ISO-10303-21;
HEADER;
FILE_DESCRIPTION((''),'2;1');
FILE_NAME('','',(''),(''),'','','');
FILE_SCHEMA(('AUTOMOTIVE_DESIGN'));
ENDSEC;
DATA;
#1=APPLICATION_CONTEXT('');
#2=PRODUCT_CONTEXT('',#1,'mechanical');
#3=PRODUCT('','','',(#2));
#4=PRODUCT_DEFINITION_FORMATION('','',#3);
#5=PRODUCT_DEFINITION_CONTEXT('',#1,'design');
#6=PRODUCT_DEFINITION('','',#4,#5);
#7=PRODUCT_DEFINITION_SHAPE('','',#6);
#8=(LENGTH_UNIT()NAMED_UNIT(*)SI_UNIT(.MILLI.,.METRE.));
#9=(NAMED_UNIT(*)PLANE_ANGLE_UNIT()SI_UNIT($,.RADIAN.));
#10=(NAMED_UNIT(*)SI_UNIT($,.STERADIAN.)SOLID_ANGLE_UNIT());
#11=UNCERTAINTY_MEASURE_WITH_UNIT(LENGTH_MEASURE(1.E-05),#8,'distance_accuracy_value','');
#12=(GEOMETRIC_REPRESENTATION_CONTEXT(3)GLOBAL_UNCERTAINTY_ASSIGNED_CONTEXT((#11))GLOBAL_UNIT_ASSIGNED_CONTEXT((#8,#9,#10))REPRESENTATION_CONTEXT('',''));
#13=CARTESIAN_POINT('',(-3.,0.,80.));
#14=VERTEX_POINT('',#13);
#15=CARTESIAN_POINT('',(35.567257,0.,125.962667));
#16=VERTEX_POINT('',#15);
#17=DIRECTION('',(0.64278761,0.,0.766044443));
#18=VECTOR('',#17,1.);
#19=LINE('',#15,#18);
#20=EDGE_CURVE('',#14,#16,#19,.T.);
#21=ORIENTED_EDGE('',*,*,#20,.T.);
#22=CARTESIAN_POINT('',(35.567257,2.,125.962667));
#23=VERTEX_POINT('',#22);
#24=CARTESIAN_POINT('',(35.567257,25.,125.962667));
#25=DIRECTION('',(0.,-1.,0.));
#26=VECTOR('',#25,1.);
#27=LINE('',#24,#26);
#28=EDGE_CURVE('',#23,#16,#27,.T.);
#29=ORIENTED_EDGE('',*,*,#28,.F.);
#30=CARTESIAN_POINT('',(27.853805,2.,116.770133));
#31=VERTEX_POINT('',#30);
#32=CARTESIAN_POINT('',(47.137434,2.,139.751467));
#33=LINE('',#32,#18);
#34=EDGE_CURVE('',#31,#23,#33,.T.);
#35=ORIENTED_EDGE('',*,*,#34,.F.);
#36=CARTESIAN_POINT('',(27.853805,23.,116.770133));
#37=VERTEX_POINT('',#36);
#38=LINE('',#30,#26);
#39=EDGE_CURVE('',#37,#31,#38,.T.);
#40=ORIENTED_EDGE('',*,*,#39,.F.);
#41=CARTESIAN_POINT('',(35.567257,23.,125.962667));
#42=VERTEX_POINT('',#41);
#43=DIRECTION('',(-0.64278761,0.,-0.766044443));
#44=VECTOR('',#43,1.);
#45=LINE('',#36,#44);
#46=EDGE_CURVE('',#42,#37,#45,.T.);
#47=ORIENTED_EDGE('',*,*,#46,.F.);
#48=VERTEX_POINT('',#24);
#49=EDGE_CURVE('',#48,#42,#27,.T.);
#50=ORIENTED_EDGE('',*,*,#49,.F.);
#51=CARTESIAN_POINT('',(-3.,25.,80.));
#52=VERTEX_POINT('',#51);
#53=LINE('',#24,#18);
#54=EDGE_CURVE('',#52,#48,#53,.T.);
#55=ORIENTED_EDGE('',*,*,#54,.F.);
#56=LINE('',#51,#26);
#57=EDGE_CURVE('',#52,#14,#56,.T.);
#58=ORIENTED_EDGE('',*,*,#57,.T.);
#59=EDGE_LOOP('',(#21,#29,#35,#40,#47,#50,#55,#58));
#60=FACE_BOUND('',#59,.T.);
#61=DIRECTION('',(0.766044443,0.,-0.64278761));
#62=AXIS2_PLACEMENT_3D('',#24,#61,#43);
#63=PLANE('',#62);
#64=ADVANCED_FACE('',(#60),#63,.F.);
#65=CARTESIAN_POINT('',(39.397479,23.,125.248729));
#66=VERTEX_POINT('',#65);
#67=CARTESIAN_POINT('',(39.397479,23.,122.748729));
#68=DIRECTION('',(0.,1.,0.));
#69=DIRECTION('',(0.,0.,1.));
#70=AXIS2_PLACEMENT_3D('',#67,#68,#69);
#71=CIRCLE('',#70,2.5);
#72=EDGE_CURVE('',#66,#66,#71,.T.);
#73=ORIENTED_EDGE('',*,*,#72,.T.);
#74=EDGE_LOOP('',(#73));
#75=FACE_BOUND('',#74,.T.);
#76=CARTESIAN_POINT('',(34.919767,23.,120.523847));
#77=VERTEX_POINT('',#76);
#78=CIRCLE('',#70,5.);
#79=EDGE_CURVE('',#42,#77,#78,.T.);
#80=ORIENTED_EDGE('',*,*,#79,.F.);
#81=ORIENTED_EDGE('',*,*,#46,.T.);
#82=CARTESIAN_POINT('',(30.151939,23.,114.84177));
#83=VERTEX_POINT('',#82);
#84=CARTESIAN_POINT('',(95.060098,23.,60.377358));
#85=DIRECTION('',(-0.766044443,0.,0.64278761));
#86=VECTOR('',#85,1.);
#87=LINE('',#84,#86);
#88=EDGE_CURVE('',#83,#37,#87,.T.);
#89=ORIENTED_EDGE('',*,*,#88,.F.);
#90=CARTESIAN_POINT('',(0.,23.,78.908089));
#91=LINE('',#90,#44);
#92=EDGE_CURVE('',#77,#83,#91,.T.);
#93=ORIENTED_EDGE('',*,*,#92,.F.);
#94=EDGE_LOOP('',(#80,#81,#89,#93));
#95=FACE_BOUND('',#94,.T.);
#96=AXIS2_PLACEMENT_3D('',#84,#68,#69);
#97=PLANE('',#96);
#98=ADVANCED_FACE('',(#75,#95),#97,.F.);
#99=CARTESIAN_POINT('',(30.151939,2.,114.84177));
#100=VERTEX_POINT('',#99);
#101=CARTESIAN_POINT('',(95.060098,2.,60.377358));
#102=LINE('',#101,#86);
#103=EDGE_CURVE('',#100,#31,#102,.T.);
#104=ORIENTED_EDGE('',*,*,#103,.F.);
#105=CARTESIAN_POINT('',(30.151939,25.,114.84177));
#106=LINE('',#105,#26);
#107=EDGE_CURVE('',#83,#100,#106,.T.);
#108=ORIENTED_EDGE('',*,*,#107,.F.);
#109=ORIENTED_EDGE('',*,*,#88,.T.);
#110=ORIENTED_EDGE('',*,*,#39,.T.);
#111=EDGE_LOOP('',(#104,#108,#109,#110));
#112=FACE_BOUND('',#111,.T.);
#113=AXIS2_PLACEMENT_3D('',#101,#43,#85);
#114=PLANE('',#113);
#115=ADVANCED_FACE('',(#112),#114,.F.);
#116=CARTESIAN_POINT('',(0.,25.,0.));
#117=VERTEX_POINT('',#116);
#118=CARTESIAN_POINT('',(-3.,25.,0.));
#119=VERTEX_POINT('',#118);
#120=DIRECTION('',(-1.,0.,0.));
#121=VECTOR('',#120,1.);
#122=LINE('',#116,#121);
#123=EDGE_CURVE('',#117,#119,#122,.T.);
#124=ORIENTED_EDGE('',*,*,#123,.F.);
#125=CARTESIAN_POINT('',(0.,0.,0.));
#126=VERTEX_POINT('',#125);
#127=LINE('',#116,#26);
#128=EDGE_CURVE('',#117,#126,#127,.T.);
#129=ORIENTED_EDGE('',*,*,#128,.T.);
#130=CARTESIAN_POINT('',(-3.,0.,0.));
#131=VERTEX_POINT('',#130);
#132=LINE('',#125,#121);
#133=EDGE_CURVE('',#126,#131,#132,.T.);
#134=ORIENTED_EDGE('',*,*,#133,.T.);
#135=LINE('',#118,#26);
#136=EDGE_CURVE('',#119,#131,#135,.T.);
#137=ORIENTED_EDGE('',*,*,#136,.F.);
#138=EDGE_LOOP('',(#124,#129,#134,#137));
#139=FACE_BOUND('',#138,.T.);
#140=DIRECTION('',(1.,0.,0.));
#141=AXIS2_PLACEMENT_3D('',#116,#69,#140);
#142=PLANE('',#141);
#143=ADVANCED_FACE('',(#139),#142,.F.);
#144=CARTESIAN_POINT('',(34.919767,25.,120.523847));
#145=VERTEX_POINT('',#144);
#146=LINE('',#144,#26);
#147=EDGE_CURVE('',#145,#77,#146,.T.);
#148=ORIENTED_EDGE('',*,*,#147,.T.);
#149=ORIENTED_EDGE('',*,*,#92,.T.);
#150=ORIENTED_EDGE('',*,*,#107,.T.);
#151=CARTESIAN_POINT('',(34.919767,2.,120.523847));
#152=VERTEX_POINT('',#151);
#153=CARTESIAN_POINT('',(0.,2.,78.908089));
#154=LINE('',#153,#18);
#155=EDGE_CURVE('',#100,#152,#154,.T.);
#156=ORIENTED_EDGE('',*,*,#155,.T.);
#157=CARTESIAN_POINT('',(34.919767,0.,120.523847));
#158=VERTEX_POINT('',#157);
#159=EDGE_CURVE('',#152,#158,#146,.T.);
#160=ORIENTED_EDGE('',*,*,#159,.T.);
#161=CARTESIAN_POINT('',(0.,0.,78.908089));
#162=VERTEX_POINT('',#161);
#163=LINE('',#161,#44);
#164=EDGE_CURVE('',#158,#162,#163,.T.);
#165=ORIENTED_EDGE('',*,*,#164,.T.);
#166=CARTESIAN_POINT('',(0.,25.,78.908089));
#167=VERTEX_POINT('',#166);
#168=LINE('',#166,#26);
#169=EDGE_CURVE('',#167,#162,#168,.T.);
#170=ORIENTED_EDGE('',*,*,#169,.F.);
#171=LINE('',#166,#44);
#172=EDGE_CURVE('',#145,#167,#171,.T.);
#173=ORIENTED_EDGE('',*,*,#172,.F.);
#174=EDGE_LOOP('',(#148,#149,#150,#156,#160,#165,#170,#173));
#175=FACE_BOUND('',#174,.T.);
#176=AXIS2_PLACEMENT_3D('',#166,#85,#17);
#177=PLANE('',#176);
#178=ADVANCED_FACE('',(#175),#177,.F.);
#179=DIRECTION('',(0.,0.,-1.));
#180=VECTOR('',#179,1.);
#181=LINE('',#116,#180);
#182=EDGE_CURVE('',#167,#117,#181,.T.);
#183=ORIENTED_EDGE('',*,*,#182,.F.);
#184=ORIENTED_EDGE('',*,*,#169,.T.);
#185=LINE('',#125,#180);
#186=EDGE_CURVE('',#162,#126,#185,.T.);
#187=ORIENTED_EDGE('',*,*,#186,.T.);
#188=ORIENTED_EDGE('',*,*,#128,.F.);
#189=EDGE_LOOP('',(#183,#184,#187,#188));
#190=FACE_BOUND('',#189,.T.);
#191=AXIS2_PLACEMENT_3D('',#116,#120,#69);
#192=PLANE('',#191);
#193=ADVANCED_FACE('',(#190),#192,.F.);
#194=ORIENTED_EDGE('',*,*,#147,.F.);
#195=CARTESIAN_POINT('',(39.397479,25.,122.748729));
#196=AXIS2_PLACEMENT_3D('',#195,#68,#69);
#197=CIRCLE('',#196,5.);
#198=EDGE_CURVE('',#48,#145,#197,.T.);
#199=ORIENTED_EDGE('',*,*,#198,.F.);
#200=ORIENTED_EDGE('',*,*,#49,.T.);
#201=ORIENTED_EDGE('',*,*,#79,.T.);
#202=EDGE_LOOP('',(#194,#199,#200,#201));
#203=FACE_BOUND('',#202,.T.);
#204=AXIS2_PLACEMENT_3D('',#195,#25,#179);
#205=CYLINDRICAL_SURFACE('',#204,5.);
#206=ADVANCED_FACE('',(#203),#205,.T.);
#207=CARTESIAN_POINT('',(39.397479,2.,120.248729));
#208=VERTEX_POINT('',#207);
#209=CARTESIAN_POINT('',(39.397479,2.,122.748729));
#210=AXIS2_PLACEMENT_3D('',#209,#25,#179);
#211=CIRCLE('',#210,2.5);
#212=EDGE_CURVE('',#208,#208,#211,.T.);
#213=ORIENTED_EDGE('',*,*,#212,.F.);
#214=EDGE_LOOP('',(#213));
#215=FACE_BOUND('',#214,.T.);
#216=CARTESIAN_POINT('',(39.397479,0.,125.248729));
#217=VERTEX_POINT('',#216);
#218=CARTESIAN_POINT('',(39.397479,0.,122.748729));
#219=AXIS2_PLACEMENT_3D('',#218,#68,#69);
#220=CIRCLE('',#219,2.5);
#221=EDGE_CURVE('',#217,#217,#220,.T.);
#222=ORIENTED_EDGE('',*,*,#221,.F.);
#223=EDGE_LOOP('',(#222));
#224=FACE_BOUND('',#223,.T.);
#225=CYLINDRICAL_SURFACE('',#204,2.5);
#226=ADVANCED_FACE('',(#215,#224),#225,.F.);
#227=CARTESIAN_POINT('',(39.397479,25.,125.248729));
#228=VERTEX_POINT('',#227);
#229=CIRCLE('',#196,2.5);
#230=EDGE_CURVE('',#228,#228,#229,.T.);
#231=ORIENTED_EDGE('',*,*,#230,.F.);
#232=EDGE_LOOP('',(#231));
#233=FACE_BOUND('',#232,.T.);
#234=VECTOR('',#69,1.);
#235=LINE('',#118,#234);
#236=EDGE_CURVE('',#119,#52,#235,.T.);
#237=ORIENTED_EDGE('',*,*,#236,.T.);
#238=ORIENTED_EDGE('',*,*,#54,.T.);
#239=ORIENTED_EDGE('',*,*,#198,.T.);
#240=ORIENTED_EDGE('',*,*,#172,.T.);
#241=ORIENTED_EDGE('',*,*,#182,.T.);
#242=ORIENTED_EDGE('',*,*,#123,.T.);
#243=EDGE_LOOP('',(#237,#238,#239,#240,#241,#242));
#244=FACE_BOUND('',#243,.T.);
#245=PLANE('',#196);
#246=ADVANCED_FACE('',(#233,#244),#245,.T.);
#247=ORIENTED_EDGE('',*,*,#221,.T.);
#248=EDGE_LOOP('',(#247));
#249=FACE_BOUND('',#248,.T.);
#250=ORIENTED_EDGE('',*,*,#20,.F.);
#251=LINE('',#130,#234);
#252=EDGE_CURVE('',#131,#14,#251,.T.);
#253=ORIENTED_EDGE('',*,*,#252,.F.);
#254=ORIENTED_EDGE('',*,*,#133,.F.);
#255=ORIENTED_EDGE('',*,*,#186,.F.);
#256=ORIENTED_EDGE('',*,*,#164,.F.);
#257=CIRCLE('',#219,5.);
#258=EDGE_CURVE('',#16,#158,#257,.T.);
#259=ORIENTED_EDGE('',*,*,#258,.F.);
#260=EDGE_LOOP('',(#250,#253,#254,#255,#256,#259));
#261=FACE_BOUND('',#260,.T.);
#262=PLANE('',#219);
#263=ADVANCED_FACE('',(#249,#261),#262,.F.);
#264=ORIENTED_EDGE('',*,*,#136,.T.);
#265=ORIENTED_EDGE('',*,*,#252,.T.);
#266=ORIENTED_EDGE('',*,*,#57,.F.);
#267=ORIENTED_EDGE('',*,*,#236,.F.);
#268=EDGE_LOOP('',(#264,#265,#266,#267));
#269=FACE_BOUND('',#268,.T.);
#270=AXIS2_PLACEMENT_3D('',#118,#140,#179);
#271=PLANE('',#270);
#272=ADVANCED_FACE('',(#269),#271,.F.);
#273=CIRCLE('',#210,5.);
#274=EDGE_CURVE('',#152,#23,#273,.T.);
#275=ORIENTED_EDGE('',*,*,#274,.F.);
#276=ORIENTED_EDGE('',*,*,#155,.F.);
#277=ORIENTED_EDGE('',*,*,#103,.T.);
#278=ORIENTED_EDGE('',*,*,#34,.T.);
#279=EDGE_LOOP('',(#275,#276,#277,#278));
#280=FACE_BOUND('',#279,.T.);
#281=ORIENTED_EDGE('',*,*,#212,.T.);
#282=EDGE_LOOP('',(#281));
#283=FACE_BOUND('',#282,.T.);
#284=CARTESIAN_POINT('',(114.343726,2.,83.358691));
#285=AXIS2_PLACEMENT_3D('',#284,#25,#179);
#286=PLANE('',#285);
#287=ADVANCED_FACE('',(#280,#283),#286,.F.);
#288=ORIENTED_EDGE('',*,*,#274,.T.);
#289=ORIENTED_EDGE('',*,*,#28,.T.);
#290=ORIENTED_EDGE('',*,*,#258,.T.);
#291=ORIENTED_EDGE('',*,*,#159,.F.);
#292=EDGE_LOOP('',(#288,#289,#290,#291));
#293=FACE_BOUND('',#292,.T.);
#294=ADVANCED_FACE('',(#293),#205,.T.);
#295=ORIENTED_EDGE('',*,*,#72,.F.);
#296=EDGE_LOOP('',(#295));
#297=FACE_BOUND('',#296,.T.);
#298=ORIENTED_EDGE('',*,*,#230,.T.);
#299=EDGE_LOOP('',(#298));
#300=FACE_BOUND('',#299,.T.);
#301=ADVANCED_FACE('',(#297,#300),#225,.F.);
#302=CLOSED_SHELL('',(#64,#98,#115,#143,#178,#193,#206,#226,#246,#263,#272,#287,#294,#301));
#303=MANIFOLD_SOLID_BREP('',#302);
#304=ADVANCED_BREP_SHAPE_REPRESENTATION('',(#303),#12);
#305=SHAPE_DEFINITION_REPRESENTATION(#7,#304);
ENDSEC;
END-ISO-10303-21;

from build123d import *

# Parameters (mm, degrees)
ESQUISSE1_R      = 2.5
EXTRUSION1_DEPTH = 25
ESQUISSE2_W      = 30
ESQUISSE2_H      = 21
EXTRUSION2_DEPTH = 88.731584025


with BuildPart() as part:
    # Esquisse1 → Extrusion1 (new body)
    with BuildSketch(Plane(origin=(0, 0, 0), x_dir=(1, 0, 0), z_dir=(0, 1, 0))):
        with BuildLine():
            Line((0, 0), (-3, 0))
            Line((-3, 0), (-3, -80))
            Line((-3, -80), (35.567256581, -125.962666587))
            ThreePointArc((35.567256581, -125.962666587), (44.362418985, -122.157654154), (34.919767033, -120.523847112))
            Line((34.919767033, -120.523847112), (0, -78.908089297))
            Line((0, -78.908089297), (0, 0))
        make_face()
        with Locations((39.397478797, -122.748728539)):
            Circle(ESQUISSE1_R, mode=Mode.SUBTRACT)
    extrude(amount=EXTRUSION1_DEPTH)

    # Esquisse2 → Extrusion2 (cut, through all)
    with BuildSketch(Plane(origin=(-41.152782387, 0, 34.531284523), x_dir=(0.64278761, 0, 0.766044443), z_dir=(-0.766044443, 0, 0.64278761))):
        with Locations((122.35519262, 12.5)):
            Rectangle(ESQUISSE2_W, ESQUISSE2_H)
    extrude(amount=-EXTRUSION2_DEPTH, mode=Mode.SUBTRACT)


solid = part.part
